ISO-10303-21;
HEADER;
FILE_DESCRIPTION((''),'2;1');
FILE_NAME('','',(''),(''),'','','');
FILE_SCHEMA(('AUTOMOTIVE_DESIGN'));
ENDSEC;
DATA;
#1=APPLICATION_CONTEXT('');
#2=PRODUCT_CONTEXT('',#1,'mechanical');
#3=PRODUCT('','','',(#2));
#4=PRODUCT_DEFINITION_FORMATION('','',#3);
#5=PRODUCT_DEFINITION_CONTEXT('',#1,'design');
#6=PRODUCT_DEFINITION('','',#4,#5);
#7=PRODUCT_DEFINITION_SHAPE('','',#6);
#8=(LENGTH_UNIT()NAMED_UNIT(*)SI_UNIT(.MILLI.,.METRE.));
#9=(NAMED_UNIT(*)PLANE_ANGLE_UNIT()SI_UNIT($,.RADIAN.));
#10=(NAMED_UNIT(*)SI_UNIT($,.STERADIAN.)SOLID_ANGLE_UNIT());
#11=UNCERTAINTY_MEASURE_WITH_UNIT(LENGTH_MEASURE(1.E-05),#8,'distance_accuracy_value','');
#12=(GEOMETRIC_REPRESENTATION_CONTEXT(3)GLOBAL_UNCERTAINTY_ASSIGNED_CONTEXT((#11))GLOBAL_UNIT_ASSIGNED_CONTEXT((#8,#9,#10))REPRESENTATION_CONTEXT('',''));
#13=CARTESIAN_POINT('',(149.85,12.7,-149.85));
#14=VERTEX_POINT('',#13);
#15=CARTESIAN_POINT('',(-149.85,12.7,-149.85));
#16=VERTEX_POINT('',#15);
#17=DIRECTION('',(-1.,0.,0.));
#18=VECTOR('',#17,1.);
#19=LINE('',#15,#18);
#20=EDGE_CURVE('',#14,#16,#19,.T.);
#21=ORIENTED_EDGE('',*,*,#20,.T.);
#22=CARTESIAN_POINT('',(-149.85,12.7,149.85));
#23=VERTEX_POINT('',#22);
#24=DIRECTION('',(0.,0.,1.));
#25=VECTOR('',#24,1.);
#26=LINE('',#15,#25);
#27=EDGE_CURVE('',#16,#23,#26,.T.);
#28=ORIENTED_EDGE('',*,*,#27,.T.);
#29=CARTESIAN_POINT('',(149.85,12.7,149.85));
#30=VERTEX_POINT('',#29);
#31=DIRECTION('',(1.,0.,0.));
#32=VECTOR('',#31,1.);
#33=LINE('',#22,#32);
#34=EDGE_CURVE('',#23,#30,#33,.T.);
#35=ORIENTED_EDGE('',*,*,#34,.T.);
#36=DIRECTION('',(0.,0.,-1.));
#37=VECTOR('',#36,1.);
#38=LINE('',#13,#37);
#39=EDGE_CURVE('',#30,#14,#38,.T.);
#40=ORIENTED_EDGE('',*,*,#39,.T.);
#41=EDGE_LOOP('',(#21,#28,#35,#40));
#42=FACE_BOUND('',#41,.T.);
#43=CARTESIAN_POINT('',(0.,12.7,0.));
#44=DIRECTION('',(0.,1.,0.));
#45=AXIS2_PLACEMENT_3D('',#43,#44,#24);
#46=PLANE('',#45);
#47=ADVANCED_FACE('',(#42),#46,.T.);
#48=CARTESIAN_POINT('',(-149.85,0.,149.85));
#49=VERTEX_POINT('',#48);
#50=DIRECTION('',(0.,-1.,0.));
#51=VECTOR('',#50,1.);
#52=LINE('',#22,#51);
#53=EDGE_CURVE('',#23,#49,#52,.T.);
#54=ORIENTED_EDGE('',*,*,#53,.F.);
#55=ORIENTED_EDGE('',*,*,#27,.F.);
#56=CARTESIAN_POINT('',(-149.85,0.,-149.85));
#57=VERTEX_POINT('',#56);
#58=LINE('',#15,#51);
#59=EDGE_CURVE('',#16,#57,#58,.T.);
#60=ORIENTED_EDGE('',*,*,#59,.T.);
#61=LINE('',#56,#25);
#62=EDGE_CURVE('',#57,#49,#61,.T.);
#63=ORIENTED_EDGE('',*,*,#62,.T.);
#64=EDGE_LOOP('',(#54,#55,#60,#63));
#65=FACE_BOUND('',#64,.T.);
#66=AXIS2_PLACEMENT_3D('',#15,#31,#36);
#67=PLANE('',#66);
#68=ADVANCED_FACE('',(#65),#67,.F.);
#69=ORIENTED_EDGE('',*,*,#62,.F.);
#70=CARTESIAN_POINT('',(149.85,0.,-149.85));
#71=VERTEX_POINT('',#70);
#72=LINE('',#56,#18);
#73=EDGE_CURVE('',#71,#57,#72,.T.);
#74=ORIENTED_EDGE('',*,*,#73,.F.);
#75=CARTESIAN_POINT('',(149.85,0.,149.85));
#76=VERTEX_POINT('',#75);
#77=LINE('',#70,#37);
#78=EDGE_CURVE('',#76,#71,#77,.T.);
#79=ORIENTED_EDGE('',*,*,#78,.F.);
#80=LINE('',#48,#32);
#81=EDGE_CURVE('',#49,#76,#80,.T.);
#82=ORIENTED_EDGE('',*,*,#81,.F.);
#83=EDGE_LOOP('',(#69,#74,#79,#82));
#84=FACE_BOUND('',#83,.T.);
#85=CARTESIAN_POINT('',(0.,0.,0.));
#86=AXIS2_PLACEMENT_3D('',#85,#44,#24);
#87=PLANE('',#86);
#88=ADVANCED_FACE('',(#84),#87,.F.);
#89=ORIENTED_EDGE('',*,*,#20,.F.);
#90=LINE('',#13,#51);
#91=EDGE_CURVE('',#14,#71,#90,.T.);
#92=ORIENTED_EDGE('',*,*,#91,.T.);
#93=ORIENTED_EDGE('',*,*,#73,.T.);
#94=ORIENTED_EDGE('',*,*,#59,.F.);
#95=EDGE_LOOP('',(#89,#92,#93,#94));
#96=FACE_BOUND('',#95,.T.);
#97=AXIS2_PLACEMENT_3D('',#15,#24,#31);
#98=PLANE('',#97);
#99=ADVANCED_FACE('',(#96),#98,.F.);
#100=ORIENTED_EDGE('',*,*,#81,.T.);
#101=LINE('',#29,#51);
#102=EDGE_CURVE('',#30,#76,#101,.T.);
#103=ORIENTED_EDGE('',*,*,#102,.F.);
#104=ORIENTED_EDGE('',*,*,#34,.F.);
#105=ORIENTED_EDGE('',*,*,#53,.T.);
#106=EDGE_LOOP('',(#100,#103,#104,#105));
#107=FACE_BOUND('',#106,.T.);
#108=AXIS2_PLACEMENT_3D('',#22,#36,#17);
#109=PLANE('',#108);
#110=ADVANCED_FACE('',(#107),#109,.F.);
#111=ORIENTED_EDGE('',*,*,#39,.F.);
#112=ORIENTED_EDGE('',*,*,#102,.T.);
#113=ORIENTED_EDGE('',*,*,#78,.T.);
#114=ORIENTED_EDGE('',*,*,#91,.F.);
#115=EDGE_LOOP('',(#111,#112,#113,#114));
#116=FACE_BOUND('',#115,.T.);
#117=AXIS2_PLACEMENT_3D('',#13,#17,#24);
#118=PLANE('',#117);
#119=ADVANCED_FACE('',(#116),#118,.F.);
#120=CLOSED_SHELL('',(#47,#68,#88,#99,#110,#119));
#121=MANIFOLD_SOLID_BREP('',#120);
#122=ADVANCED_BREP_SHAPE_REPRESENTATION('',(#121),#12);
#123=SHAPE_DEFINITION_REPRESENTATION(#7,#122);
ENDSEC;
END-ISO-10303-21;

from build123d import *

# Parameters (mm, degrees)
SKETCH1_W           = 299.7
SKETCH1_H           = 299.7
BOSS_EXTRUDE1_DEPTH = 12.7


with BuildPart() as part:
    # Sketch1 → Boss-Extrude1 (new body)
    with BuildSketch(Plane(origin=(0, 0, 0), x_dir=(1, 0, 0), z_dir=(0, 1, 0))):
        Rectangle(SKETCH1_W, SKETCH1_H)
    extrude(amount=BOSS_EXTRUDE1_DEPTH)


solid = part.part
